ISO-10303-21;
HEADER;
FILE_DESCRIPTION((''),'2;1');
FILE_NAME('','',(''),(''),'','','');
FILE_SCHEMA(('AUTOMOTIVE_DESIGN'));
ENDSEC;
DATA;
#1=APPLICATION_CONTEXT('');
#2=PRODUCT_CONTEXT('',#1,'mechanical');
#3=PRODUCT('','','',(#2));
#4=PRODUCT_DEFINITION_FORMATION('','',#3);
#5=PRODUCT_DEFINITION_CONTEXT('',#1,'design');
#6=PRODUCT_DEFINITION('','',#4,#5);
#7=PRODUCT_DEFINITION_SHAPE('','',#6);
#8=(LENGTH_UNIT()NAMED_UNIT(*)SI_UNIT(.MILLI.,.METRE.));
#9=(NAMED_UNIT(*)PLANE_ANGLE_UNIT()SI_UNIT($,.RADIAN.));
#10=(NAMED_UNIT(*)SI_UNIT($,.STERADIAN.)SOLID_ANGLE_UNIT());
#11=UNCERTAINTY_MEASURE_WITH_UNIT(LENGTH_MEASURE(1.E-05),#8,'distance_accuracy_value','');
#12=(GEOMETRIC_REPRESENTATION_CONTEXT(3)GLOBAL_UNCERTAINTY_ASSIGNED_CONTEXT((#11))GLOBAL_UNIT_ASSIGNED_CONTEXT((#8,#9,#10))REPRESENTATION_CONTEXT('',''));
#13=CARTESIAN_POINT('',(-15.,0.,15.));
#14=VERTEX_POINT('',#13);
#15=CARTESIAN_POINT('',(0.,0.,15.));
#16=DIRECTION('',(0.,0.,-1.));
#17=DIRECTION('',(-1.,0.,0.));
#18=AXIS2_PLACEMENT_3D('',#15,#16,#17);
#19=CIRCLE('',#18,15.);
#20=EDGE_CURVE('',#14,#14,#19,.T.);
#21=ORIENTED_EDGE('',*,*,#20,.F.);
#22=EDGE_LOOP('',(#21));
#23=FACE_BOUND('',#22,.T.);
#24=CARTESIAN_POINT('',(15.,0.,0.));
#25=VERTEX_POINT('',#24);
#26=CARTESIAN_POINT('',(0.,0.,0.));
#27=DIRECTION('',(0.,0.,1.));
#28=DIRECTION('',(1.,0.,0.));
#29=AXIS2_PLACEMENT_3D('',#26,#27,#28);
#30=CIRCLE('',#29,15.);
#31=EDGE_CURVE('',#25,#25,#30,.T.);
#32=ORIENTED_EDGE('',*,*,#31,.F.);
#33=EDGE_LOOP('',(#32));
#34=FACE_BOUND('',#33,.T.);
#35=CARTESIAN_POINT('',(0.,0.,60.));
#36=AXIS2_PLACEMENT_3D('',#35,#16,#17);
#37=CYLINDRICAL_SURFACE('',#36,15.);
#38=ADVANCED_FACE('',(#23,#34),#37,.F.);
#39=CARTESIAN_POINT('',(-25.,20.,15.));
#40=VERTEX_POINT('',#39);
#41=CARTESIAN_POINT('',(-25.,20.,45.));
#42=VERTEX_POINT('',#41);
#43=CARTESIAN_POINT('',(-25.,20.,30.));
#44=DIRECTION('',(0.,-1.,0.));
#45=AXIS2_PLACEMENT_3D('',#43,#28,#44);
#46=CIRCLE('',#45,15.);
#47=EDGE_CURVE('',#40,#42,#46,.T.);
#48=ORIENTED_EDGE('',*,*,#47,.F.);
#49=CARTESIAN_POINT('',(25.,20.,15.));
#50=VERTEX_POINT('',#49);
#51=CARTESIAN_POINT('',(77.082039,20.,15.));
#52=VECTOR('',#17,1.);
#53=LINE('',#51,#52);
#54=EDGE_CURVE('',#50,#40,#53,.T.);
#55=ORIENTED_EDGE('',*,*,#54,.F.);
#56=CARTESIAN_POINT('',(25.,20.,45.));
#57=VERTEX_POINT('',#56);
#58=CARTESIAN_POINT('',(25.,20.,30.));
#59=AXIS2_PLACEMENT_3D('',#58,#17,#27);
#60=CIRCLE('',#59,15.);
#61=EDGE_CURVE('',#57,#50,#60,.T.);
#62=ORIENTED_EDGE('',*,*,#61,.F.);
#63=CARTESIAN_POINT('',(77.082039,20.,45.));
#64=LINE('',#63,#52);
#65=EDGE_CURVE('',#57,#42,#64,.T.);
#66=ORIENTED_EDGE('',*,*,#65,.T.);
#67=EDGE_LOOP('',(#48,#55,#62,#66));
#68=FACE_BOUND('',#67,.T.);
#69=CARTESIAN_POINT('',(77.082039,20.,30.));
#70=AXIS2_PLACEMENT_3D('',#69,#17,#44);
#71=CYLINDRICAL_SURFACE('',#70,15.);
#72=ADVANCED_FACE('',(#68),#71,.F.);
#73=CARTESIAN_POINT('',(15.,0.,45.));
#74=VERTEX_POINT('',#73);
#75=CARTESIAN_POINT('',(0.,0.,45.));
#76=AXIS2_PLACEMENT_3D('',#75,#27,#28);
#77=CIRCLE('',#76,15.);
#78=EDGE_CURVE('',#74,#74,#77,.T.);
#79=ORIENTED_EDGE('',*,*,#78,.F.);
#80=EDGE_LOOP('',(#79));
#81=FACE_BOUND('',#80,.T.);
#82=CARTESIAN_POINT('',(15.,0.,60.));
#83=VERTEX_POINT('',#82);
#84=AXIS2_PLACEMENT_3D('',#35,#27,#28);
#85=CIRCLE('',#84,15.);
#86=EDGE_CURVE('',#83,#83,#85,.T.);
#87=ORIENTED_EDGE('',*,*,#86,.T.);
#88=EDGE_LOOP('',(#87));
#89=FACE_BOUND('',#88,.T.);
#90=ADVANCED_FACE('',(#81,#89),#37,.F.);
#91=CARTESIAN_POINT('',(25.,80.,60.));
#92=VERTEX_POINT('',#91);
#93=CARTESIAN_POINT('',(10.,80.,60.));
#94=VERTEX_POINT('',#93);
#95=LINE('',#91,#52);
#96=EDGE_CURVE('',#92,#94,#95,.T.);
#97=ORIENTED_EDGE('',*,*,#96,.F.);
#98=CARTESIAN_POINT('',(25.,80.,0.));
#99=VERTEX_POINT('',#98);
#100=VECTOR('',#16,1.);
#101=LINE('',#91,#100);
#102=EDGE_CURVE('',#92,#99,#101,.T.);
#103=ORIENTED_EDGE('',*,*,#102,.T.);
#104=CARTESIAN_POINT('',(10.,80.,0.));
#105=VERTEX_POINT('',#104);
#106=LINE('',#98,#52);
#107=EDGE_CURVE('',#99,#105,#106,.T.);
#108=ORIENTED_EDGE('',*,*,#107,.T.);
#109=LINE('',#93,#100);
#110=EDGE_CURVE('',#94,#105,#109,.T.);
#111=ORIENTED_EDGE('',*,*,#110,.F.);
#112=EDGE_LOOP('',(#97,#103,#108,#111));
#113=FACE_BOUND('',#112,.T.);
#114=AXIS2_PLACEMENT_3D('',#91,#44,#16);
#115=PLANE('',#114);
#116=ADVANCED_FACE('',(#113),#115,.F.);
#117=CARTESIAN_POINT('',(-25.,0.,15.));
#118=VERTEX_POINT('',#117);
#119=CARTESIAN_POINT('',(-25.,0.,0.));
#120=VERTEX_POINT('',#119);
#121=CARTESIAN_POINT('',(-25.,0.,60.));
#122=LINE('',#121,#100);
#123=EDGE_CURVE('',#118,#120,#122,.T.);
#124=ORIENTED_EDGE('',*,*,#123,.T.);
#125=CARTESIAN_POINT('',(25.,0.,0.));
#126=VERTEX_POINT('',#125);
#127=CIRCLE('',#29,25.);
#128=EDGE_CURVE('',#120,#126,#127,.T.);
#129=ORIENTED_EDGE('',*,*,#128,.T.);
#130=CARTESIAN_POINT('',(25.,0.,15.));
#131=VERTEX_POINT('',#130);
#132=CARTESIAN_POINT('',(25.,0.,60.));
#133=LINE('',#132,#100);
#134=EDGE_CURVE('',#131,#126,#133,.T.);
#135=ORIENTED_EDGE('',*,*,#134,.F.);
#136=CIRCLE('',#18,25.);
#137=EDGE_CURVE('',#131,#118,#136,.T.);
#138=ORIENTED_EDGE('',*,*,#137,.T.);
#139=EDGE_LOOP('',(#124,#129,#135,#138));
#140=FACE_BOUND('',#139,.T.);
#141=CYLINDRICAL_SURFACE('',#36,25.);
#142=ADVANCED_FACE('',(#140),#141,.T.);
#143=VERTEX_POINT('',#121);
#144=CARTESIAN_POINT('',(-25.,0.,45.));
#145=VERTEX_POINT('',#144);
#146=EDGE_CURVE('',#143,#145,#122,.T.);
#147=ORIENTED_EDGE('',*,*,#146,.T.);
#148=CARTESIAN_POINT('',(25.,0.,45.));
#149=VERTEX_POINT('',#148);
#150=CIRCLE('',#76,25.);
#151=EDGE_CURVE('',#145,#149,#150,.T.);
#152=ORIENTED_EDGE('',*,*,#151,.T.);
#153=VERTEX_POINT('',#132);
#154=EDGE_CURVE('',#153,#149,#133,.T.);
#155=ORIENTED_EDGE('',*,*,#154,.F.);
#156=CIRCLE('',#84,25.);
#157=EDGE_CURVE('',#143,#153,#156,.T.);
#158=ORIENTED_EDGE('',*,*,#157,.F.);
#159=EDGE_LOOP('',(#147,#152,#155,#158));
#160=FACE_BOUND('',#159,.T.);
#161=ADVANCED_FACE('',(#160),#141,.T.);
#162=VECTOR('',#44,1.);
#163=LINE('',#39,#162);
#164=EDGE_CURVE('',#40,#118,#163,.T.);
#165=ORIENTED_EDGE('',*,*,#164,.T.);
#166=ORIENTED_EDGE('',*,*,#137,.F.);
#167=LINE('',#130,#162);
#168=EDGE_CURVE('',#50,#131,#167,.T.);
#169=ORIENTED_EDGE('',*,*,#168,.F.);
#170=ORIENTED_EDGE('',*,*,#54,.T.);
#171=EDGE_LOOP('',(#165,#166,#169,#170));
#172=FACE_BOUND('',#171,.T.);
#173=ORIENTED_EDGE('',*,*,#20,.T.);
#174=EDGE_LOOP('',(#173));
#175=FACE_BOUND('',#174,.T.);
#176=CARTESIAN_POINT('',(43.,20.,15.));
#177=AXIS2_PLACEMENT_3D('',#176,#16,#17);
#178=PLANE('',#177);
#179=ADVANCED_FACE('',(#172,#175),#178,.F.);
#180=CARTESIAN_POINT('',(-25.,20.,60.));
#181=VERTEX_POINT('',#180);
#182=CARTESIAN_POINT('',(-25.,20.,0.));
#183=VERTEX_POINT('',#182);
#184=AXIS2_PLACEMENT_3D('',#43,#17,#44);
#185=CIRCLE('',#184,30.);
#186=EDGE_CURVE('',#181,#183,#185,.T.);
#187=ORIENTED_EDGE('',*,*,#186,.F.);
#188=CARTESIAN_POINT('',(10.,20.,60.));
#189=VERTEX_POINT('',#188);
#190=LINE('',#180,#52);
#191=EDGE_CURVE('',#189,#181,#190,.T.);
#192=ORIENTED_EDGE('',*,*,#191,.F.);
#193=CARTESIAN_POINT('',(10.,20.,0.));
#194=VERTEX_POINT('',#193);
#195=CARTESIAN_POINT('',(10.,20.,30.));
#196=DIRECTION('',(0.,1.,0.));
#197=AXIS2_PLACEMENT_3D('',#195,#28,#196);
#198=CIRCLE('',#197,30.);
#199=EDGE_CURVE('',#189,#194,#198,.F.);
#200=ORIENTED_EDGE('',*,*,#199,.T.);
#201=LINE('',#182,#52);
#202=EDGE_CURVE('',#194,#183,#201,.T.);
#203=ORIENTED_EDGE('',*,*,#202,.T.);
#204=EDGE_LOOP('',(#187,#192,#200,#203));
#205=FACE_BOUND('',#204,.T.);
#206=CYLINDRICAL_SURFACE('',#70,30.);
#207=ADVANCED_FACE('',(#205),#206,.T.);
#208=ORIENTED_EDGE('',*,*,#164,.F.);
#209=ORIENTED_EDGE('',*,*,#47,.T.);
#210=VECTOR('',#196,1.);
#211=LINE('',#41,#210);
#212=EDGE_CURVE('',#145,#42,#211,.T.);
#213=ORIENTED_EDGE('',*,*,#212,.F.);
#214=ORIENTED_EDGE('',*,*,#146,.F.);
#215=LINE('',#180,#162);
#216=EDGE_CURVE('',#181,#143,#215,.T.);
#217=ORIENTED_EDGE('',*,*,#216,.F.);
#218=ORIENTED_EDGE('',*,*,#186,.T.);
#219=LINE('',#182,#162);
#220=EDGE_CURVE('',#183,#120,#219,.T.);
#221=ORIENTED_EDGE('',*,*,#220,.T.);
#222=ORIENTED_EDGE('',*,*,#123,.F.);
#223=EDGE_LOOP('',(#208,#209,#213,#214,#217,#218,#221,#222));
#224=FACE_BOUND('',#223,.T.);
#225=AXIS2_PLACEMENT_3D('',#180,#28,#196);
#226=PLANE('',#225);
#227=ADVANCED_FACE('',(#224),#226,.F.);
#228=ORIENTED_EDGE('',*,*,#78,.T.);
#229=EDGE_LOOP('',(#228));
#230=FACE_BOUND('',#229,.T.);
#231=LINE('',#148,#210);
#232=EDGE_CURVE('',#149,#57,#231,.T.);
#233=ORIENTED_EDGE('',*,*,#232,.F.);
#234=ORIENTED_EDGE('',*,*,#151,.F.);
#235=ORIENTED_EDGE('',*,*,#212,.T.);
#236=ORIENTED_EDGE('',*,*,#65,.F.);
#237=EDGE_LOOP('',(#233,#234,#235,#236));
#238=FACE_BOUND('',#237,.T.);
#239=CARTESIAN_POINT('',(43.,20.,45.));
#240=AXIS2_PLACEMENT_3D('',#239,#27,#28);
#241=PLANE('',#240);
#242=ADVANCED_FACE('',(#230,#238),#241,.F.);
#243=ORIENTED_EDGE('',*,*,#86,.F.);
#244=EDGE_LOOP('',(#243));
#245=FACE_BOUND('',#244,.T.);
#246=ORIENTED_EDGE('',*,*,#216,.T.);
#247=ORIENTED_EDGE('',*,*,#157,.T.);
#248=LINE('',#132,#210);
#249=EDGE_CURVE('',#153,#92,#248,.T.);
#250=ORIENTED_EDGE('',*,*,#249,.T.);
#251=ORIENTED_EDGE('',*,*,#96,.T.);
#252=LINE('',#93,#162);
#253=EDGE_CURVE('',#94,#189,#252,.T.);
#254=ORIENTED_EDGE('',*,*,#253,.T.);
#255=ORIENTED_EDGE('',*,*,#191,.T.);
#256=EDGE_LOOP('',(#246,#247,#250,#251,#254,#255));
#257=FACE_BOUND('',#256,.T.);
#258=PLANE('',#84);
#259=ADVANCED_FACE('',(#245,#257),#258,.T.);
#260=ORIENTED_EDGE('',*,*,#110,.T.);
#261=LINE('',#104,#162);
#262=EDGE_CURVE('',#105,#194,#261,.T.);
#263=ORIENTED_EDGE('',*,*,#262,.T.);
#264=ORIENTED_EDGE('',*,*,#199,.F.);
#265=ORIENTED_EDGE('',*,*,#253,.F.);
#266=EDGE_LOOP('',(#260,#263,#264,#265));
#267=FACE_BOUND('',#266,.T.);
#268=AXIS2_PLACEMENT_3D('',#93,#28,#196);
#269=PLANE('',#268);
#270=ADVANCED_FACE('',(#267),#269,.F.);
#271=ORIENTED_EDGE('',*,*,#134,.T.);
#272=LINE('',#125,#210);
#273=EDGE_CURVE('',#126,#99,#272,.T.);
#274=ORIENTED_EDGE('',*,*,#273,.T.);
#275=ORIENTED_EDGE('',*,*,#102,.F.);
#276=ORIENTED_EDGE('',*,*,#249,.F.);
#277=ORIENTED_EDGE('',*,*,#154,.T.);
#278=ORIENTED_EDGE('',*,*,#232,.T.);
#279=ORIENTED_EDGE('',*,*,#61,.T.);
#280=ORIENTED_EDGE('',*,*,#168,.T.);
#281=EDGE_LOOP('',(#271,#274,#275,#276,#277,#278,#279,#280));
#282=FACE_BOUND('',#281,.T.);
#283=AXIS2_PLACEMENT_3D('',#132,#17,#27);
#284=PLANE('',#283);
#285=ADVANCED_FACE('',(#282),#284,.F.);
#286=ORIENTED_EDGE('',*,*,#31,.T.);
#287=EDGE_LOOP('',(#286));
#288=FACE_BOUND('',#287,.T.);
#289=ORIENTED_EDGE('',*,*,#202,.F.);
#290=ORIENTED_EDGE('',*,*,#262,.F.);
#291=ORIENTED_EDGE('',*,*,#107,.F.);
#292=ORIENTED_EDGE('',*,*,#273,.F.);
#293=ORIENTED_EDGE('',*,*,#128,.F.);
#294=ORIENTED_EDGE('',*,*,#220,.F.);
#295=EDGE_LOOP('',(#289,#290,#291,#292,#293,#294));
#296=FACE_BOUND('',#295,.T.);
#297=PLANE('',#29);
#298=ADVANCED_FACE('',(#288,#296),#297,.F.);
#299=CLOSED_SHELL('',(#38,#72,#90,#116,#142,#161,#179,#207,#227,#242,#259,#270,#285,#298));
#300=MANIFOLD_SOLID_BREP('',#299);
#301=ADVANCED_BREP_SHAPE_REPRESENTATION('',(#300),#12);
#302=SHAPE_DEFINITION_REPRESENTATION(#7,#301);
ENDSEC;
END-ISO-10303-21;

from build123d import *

# Parameters (mm, degrees)
SKETCH1_R           = 15
BOSS_EXTRUDE1_DEPTH = 60
BOSS_EXTRUDE2_DEPTH = 35
CUT_EXTRUDE9_DEPTH  = 68


with BuildPart() as part:
    # Sketch1 → Boss-Extrude1 (new body)
    with BuildSketch(Plane.XY):
        with BuildLine():
            Line((25, 0), (25, 80))
            Line((25, 80), (10, 80))
            Line((10, 80), (10, 20))
            Line((10, 20), (-25, 20))
            Line((-25, 20), (-25, 0))
            ThreePointArc((-25, 0), (0, -25), (25, 0))
        make_face()
        Circle(SKETCH1_R, mode=Mode.SUBTRACT)
    extrude(amount=BOSS_EXTRUDE1_DEPTH)

    # Sketch2 → Boss-Extrude2 (add)
    with BuildSketch(Plane.ZY.offset(25)):
        with BuildLine():
            Line((15, 20), (0, 20))
            ThreePointArc((0, 20), (30, 50), (60, 20))
            Line((60, 20), (45, 20))
            ThreePointArc((45, 20), (30, 35), (15, 20))
        make_face()
    extrude(amount=-BOSS_EXTRUDE2_DEPTH)

    # Sketch4 → Cut-Extrude9 (cut)
    with BuildSketch(Plane.ZY.offset(25)):
        with BuildLine():
            Line((15, 20), (15, -31.386315339))
            Line((15, -31.386315339), (45, -31.386315339))
            Line((45, -31.386315339), (45, 20))
            ThreePointArc((45, 20), (30, 35), (15, 20))
        make_face()
    extrude(amount=-CUT_EXTRUDE9_DEPTH, mode=Mode.SUBTRACT)


solid = part.part
